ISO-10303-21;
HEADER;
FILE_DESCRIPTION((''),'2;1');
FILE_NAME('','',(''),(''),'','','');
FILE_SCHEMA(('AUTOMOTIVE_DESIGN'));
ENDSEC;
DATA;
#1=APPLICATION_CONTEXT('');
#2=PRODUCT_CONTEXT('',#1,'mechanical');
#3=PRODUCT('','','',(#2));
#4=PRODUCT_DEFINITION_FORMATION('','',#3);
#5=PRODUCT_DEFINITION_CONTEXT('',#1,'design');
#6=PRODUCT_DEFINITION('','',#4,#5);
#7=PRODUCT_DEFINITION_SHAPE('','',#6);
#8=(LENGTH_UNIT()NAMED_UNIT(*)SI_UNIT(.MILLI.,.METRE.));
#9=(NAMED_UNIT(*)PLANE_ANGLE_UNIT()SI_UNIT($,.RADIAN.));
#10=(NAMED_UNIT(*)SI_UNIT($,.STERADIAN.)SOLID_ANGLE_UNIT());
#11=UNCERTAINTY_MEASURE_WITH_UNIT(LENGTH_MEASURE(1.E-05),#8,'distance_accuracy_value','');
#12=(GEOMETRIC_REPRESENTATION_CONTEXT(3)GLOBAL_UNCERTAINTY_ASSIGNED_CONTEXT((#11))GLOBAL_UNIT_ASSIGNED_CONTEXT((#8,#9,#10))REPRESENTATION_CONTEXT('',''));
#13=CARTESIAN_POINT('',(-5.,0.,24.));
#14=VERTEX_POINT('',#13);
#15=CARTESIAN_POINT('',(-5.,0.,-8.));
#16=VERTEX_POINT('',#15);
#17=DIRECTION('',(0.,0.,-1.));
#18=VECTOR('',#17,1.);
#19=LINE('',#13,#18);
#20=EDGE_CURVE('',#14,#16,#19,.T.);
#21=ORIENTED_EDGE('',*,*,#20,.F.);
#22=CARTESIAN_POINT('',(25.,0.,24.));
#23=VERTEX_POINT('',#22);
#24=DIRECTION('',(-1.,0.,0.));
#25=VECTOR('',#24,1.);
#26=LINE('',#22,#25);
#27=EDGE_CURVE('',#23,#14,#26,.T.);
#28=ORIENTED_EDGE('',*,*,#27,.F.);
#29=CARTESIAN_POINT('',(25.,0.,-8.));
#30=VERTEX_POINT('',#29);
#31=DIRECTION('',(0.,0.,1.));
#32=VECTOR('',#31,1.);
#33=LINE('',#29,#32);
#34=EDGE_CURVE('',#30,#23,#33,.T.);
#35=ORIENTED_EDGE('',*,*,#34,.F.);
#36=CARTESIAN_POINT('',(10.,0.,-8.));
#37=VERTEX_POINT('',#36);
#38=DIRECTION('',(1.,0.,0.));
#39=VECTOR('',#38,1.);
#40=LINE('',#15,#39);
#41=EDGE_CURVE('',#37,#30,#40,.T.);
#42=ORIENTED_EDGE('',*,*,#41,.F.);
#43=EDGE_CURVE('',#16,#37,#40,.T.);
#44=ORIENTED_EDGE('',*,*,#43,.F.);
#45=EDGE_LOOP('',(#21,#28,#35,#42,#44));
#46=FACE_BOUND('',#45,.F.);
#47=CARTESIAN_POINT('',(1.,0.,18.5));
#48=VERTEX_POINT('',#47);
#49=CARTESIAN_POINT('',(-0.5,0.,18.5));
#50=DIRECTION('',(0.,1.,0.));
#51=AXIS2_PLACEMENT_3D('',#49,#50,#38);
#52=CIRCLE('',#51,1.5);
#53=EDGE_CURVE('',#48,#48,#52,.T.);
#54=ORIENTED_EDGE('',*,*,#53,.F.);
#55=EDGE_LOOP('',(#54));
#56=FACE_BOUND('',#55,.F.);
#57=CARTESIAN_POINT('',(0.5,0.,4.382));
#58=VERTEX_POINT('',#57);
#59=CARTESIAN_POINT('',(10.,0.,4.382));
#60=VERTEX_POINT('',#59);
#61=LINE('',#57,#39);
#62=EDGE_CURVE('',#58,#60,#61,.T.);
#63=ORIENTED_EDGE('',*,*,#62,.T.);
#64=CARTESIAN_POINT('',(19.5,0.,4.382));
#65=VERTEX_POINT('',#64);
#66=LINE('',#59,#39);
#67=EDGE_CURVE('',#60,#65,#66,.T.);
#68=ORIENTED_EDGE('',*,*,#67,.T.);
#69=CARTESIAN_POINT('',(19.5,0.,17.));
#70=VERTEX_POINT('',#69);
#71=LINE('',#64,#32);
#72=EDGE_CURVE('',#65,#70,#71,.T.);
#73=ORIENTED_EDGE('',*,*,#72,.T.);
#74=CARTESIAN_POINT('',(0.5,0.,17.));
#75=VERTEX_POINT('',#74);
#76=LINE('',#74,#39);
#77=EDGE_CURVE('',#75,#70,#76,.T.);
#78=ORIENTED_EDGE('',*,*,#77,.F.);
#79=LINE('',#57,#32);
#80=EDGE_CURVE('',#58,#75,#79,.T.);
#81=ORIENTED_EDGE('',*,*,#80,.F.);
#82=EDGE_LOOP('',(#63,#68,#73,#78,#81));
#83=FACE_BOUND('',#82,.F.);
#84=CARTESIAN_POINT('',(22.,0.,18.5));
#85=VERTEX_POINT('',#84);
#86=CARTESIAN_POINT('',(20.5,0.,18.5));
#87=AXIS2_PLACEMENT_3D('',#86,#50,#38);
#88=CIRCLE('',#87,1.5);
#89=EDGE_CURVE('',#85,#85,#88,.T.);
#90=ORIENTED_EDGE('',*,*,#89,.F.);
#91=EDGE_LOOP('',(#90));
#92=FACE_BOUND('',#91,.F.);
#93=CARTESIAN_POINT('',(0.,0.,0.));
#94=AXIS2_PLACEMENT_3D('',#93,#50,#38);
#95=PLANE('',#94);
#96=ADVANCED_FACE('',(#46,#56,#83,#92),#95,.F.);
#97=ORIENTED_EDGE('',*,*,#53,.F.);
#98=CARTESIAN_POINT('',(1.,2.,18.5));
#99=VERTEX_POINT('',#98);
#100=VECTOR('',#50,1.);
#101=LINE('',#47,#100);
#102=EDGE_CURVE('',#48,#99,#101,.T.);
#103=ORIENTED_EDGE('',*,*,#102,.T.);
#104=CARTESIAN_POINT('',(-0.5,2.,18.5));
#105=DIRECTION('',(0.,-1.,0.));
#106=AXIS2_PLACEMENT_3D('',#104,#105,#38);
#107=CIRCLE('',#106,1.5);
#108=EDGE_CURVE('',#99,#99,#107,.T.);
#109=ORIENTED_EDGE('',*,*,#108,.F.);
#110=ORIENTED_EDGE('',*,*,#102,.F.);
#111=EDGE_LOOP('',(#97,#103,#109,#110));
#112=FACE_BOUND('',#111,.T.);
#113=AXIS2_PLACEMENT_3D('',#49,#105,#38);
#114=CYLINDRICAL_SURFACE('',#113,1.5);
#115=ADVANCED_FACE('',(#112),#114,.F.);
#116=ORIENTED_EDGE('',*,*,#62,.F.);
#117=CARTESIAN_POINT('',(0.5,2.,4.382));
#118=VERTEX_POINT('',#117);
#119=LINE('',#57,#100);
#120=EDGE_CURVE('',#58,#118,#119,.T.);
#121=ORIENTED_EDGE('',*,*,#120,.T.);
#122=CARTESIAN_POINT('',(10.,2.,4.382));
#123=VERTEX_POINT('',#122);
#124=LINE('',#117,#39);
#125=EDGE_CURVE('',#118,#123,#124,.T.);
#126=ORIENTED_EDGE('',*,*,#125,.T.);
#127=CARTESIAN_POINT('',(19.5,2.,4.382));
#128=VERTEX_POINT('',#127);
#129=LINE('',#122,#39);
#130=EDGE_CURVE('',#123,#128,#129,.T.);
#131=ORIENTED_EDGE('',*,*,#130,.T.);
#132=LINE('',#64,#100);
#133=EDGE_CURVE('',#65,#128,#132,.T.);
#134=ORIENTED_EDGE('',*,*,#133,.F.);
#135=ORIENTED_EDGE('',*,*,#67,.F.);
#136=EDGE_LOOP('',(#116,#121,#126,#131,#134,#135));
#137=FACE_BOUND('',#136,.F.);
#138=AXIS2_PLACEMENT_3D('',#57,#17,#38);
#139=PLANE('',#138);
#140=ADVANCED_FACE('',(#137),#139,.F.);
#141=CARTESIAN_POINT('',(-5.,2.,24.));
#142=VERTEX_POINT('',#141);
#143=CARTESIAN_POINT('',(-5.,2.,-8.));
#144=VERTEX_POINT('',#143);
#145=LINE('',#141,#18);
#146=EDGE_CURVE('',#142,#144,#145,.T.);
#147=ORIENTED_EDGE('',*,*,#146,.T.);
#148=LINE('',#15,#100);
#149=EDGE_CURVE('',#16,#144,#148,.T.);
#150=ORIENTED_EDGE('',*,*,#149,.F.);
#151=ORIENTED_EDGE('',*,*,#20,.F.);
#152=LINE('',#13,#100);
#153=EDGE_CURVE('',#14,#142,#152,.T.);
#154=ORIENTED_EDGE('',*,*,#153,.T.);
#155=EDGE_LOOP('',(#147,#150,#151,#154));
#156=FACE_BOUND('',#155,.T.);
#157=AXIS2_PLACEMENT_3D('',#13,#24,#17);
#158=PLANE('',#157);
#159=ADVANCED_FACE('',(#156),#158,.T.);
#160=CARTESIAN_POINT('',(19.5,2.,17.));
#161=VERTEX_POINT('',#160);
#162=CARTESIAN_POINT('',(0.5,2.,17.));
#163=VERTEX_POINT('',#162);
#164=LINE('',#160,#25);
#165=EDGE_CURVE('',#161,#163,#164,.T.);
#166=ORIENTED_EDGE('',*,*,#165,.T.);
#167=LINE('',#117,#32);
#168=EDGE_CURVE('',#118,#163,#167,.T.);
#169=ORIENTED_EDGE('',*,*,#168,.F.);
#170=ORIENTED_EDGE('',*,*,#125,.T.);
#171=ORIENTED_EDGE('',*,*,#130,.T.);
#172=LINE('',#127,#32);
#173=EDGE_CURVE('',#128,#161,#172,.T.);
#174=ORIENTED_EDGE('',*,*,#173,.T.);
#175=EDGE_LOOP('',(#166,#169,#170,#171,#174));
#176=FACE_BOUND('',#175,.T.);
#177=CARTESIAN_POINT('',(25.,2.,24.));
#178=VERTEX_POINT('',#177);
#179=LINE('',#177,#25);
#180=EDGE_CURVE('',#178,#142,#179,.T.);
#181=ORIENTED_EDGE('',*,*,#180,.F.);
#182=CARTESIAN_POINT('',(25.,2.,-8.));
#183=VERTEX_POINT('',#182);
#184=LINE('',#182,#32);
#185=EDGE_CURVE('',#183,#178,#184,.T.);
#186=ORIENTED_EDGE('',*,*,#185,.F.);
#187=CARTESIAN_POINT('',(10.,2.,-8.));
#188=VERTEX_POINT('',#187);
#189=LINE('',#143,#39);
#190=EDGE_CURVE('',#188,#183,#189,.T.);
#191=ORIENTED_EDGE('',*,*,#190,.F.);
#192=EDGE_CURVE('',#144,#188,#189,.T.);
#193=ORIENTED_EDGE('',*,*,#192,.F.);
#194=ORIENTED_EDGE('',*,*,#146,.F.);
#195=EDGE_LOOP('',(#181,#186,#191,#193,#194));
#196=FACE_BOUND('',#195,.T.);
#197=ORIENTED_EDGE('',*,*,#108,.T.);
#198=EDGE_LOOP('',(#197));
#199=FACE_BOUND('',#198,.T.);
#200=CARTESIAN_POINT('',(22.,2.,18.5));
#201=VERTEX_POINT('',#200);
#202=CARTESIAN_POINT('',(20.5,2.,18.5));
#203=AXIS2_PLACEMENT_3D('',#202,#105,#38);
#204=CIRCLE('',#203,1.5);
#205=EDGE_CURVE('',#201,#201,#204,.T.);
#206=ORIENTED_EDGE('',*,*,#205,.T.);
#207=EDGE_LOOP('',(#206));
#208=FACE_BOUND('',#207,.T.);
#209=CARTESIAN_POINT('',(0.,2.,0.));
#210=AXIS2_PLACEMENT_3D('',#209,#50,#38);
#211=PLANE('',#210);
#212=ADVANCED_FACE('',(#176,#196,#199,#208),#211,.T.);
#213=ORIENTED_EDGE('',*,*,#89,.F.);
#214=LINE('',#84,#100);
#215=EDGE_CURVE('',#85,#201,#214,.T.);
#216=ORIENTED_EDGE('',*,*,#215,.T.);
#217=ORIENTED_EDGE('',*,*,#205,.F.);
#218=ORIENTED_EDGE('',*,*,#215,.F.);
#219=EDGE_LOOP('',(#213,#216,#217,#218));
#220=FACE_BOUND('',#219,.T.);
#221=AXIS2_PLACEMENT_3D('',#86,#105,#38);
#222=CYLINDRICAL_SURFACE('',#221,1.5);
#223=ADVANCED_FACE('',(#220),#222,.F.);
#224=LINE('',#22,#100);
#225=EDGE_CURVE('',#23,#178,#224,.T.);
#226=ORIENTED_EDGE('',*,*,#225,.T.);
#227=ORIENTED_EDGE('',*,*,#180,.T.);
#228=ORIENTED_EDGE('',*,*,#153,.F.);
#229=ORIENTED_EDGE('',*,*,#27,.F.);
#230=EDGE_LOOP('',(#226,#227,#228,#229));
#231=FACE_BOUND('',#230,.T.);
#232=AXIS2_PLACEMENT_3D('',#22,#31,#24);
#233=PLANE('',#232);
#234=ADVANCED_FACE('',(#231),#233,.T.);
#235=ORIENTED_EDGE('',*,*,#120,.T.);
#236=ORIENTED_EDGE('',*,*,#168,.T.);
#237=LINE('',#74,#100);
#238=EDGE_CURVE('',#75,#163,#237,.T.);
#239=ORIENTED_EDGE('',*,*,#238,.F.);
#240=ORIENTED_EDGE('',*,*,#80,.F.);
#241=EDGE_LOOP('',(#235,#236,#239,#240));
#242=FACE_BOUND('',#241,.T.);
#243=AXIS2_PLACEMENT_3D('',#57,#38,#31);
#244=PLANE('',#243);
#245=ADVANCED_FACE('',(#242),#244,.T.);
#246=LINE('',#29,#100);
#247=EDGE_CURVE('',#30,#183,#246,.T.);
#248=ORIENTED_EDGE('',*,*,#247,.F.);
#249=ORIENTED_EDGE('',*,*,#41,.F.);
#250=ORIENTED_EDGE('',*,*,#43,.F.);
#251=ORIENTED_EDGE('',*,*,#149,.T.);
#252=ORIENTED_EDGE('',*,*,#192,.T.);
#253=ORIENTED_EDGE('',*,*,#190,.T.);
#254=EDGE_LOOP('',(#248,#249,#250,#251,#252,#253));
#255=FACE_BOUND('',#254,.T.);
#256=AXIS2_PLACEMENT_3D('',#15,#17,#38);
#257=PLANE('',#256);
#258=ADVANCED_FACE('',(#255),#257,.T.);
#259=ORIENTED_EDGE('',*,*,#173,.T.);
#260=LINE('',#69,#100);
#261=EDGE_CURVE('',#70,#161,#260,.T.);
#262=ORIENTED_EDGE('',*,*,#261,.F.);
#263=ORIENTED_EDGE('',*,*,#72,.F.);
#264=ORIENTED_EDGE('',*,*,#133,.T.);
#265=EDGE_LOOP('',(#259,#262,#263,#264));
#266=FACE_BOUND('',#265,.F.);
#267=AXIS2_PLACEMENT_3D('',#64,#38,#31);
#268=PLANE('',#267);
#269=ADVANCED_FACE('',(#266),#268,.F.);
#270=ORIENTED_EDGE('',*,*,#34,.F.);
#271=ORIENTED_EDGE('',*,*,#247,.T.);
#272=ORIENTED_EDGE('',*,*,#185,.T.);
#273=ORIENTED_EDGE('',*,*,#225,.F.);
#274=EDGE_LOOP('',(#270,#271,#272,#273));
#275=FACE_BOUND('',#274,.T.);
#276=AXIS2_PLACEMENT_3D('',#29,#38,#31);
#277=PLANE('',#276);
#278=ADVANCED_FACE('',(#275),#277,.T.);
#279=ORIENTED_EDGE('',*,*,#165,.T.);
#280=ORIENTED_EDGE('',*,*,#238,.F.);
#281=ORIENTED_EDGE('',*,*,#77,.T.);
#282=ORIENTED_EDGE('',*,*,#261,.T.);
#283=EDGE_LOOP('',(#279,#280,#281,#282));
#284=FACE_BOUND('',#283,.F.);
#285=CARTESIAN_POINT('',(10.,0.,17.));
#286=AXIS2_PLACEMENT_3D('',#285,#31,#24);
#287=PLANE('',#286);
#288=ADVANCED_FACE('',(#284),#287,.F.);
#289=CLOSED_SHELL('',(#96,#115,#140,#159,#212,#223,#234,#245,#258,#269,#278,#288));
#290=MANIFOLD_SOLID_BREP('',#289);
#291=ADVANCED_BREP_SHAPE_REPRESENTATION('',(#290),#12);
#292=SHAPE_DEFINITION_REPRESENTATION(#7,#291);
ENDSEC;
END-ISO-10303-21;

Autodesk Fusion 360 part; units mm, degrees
sketch "Sketch9" plane through (0, 0, 0) normal (0, 1, 0) x (1, 0, 0)
  line L0 (-5, 8) -> (25, 8)
  line L1 (25, 8) -> (25, -24)
  line L2 (25, -24) -> (-5, -24)
  line L3 (-5, -24) -> (-5, 8)
  line L4 (10, -18.5) -> (10, 8)
  line L5 (0.5, -4.382) -> (10, -4.382)
  line L6 (10, -4.382) -> (19.5, -4.382)
  line L7 (10, -18.5) -> (-0.5, -18.5)
  line L8 (10, -18.5) -> (20.5, -18.5)
  circle A0 centre (-0.5, -18.5) radius 1.5
  circle A1 centre (20.5, -18.5) radius 1.5
  line L9 (0.5, -4.382) -> (0.5, -17.382)
  line L10 (19.5, -4.382) -> (19.5, -17.382)
  line L11 (19.5, -17) -> (0.5, -17)
  dimension "d91" = 32
  dimension "d92" = 30
  dimension "d93" = 15
  dimension "d98" = 26.5
  dimension "d112" = 9.5
  dimension "d113" = 9.5
  dimension "d116" = 10.5
  dimension "d117" = 10.5
  dimension "d118" = 3
  dimension "d119" = 3
  dimension "d120" = 9.5
  dimension "d121" = 13
extrude "Extrude13" add sketch "Sketch9" along normal blind 2 contours L0 L1 L2 L3 | L4 L8 A1 L10 L11 | L4 L7 A0 L9 L11
